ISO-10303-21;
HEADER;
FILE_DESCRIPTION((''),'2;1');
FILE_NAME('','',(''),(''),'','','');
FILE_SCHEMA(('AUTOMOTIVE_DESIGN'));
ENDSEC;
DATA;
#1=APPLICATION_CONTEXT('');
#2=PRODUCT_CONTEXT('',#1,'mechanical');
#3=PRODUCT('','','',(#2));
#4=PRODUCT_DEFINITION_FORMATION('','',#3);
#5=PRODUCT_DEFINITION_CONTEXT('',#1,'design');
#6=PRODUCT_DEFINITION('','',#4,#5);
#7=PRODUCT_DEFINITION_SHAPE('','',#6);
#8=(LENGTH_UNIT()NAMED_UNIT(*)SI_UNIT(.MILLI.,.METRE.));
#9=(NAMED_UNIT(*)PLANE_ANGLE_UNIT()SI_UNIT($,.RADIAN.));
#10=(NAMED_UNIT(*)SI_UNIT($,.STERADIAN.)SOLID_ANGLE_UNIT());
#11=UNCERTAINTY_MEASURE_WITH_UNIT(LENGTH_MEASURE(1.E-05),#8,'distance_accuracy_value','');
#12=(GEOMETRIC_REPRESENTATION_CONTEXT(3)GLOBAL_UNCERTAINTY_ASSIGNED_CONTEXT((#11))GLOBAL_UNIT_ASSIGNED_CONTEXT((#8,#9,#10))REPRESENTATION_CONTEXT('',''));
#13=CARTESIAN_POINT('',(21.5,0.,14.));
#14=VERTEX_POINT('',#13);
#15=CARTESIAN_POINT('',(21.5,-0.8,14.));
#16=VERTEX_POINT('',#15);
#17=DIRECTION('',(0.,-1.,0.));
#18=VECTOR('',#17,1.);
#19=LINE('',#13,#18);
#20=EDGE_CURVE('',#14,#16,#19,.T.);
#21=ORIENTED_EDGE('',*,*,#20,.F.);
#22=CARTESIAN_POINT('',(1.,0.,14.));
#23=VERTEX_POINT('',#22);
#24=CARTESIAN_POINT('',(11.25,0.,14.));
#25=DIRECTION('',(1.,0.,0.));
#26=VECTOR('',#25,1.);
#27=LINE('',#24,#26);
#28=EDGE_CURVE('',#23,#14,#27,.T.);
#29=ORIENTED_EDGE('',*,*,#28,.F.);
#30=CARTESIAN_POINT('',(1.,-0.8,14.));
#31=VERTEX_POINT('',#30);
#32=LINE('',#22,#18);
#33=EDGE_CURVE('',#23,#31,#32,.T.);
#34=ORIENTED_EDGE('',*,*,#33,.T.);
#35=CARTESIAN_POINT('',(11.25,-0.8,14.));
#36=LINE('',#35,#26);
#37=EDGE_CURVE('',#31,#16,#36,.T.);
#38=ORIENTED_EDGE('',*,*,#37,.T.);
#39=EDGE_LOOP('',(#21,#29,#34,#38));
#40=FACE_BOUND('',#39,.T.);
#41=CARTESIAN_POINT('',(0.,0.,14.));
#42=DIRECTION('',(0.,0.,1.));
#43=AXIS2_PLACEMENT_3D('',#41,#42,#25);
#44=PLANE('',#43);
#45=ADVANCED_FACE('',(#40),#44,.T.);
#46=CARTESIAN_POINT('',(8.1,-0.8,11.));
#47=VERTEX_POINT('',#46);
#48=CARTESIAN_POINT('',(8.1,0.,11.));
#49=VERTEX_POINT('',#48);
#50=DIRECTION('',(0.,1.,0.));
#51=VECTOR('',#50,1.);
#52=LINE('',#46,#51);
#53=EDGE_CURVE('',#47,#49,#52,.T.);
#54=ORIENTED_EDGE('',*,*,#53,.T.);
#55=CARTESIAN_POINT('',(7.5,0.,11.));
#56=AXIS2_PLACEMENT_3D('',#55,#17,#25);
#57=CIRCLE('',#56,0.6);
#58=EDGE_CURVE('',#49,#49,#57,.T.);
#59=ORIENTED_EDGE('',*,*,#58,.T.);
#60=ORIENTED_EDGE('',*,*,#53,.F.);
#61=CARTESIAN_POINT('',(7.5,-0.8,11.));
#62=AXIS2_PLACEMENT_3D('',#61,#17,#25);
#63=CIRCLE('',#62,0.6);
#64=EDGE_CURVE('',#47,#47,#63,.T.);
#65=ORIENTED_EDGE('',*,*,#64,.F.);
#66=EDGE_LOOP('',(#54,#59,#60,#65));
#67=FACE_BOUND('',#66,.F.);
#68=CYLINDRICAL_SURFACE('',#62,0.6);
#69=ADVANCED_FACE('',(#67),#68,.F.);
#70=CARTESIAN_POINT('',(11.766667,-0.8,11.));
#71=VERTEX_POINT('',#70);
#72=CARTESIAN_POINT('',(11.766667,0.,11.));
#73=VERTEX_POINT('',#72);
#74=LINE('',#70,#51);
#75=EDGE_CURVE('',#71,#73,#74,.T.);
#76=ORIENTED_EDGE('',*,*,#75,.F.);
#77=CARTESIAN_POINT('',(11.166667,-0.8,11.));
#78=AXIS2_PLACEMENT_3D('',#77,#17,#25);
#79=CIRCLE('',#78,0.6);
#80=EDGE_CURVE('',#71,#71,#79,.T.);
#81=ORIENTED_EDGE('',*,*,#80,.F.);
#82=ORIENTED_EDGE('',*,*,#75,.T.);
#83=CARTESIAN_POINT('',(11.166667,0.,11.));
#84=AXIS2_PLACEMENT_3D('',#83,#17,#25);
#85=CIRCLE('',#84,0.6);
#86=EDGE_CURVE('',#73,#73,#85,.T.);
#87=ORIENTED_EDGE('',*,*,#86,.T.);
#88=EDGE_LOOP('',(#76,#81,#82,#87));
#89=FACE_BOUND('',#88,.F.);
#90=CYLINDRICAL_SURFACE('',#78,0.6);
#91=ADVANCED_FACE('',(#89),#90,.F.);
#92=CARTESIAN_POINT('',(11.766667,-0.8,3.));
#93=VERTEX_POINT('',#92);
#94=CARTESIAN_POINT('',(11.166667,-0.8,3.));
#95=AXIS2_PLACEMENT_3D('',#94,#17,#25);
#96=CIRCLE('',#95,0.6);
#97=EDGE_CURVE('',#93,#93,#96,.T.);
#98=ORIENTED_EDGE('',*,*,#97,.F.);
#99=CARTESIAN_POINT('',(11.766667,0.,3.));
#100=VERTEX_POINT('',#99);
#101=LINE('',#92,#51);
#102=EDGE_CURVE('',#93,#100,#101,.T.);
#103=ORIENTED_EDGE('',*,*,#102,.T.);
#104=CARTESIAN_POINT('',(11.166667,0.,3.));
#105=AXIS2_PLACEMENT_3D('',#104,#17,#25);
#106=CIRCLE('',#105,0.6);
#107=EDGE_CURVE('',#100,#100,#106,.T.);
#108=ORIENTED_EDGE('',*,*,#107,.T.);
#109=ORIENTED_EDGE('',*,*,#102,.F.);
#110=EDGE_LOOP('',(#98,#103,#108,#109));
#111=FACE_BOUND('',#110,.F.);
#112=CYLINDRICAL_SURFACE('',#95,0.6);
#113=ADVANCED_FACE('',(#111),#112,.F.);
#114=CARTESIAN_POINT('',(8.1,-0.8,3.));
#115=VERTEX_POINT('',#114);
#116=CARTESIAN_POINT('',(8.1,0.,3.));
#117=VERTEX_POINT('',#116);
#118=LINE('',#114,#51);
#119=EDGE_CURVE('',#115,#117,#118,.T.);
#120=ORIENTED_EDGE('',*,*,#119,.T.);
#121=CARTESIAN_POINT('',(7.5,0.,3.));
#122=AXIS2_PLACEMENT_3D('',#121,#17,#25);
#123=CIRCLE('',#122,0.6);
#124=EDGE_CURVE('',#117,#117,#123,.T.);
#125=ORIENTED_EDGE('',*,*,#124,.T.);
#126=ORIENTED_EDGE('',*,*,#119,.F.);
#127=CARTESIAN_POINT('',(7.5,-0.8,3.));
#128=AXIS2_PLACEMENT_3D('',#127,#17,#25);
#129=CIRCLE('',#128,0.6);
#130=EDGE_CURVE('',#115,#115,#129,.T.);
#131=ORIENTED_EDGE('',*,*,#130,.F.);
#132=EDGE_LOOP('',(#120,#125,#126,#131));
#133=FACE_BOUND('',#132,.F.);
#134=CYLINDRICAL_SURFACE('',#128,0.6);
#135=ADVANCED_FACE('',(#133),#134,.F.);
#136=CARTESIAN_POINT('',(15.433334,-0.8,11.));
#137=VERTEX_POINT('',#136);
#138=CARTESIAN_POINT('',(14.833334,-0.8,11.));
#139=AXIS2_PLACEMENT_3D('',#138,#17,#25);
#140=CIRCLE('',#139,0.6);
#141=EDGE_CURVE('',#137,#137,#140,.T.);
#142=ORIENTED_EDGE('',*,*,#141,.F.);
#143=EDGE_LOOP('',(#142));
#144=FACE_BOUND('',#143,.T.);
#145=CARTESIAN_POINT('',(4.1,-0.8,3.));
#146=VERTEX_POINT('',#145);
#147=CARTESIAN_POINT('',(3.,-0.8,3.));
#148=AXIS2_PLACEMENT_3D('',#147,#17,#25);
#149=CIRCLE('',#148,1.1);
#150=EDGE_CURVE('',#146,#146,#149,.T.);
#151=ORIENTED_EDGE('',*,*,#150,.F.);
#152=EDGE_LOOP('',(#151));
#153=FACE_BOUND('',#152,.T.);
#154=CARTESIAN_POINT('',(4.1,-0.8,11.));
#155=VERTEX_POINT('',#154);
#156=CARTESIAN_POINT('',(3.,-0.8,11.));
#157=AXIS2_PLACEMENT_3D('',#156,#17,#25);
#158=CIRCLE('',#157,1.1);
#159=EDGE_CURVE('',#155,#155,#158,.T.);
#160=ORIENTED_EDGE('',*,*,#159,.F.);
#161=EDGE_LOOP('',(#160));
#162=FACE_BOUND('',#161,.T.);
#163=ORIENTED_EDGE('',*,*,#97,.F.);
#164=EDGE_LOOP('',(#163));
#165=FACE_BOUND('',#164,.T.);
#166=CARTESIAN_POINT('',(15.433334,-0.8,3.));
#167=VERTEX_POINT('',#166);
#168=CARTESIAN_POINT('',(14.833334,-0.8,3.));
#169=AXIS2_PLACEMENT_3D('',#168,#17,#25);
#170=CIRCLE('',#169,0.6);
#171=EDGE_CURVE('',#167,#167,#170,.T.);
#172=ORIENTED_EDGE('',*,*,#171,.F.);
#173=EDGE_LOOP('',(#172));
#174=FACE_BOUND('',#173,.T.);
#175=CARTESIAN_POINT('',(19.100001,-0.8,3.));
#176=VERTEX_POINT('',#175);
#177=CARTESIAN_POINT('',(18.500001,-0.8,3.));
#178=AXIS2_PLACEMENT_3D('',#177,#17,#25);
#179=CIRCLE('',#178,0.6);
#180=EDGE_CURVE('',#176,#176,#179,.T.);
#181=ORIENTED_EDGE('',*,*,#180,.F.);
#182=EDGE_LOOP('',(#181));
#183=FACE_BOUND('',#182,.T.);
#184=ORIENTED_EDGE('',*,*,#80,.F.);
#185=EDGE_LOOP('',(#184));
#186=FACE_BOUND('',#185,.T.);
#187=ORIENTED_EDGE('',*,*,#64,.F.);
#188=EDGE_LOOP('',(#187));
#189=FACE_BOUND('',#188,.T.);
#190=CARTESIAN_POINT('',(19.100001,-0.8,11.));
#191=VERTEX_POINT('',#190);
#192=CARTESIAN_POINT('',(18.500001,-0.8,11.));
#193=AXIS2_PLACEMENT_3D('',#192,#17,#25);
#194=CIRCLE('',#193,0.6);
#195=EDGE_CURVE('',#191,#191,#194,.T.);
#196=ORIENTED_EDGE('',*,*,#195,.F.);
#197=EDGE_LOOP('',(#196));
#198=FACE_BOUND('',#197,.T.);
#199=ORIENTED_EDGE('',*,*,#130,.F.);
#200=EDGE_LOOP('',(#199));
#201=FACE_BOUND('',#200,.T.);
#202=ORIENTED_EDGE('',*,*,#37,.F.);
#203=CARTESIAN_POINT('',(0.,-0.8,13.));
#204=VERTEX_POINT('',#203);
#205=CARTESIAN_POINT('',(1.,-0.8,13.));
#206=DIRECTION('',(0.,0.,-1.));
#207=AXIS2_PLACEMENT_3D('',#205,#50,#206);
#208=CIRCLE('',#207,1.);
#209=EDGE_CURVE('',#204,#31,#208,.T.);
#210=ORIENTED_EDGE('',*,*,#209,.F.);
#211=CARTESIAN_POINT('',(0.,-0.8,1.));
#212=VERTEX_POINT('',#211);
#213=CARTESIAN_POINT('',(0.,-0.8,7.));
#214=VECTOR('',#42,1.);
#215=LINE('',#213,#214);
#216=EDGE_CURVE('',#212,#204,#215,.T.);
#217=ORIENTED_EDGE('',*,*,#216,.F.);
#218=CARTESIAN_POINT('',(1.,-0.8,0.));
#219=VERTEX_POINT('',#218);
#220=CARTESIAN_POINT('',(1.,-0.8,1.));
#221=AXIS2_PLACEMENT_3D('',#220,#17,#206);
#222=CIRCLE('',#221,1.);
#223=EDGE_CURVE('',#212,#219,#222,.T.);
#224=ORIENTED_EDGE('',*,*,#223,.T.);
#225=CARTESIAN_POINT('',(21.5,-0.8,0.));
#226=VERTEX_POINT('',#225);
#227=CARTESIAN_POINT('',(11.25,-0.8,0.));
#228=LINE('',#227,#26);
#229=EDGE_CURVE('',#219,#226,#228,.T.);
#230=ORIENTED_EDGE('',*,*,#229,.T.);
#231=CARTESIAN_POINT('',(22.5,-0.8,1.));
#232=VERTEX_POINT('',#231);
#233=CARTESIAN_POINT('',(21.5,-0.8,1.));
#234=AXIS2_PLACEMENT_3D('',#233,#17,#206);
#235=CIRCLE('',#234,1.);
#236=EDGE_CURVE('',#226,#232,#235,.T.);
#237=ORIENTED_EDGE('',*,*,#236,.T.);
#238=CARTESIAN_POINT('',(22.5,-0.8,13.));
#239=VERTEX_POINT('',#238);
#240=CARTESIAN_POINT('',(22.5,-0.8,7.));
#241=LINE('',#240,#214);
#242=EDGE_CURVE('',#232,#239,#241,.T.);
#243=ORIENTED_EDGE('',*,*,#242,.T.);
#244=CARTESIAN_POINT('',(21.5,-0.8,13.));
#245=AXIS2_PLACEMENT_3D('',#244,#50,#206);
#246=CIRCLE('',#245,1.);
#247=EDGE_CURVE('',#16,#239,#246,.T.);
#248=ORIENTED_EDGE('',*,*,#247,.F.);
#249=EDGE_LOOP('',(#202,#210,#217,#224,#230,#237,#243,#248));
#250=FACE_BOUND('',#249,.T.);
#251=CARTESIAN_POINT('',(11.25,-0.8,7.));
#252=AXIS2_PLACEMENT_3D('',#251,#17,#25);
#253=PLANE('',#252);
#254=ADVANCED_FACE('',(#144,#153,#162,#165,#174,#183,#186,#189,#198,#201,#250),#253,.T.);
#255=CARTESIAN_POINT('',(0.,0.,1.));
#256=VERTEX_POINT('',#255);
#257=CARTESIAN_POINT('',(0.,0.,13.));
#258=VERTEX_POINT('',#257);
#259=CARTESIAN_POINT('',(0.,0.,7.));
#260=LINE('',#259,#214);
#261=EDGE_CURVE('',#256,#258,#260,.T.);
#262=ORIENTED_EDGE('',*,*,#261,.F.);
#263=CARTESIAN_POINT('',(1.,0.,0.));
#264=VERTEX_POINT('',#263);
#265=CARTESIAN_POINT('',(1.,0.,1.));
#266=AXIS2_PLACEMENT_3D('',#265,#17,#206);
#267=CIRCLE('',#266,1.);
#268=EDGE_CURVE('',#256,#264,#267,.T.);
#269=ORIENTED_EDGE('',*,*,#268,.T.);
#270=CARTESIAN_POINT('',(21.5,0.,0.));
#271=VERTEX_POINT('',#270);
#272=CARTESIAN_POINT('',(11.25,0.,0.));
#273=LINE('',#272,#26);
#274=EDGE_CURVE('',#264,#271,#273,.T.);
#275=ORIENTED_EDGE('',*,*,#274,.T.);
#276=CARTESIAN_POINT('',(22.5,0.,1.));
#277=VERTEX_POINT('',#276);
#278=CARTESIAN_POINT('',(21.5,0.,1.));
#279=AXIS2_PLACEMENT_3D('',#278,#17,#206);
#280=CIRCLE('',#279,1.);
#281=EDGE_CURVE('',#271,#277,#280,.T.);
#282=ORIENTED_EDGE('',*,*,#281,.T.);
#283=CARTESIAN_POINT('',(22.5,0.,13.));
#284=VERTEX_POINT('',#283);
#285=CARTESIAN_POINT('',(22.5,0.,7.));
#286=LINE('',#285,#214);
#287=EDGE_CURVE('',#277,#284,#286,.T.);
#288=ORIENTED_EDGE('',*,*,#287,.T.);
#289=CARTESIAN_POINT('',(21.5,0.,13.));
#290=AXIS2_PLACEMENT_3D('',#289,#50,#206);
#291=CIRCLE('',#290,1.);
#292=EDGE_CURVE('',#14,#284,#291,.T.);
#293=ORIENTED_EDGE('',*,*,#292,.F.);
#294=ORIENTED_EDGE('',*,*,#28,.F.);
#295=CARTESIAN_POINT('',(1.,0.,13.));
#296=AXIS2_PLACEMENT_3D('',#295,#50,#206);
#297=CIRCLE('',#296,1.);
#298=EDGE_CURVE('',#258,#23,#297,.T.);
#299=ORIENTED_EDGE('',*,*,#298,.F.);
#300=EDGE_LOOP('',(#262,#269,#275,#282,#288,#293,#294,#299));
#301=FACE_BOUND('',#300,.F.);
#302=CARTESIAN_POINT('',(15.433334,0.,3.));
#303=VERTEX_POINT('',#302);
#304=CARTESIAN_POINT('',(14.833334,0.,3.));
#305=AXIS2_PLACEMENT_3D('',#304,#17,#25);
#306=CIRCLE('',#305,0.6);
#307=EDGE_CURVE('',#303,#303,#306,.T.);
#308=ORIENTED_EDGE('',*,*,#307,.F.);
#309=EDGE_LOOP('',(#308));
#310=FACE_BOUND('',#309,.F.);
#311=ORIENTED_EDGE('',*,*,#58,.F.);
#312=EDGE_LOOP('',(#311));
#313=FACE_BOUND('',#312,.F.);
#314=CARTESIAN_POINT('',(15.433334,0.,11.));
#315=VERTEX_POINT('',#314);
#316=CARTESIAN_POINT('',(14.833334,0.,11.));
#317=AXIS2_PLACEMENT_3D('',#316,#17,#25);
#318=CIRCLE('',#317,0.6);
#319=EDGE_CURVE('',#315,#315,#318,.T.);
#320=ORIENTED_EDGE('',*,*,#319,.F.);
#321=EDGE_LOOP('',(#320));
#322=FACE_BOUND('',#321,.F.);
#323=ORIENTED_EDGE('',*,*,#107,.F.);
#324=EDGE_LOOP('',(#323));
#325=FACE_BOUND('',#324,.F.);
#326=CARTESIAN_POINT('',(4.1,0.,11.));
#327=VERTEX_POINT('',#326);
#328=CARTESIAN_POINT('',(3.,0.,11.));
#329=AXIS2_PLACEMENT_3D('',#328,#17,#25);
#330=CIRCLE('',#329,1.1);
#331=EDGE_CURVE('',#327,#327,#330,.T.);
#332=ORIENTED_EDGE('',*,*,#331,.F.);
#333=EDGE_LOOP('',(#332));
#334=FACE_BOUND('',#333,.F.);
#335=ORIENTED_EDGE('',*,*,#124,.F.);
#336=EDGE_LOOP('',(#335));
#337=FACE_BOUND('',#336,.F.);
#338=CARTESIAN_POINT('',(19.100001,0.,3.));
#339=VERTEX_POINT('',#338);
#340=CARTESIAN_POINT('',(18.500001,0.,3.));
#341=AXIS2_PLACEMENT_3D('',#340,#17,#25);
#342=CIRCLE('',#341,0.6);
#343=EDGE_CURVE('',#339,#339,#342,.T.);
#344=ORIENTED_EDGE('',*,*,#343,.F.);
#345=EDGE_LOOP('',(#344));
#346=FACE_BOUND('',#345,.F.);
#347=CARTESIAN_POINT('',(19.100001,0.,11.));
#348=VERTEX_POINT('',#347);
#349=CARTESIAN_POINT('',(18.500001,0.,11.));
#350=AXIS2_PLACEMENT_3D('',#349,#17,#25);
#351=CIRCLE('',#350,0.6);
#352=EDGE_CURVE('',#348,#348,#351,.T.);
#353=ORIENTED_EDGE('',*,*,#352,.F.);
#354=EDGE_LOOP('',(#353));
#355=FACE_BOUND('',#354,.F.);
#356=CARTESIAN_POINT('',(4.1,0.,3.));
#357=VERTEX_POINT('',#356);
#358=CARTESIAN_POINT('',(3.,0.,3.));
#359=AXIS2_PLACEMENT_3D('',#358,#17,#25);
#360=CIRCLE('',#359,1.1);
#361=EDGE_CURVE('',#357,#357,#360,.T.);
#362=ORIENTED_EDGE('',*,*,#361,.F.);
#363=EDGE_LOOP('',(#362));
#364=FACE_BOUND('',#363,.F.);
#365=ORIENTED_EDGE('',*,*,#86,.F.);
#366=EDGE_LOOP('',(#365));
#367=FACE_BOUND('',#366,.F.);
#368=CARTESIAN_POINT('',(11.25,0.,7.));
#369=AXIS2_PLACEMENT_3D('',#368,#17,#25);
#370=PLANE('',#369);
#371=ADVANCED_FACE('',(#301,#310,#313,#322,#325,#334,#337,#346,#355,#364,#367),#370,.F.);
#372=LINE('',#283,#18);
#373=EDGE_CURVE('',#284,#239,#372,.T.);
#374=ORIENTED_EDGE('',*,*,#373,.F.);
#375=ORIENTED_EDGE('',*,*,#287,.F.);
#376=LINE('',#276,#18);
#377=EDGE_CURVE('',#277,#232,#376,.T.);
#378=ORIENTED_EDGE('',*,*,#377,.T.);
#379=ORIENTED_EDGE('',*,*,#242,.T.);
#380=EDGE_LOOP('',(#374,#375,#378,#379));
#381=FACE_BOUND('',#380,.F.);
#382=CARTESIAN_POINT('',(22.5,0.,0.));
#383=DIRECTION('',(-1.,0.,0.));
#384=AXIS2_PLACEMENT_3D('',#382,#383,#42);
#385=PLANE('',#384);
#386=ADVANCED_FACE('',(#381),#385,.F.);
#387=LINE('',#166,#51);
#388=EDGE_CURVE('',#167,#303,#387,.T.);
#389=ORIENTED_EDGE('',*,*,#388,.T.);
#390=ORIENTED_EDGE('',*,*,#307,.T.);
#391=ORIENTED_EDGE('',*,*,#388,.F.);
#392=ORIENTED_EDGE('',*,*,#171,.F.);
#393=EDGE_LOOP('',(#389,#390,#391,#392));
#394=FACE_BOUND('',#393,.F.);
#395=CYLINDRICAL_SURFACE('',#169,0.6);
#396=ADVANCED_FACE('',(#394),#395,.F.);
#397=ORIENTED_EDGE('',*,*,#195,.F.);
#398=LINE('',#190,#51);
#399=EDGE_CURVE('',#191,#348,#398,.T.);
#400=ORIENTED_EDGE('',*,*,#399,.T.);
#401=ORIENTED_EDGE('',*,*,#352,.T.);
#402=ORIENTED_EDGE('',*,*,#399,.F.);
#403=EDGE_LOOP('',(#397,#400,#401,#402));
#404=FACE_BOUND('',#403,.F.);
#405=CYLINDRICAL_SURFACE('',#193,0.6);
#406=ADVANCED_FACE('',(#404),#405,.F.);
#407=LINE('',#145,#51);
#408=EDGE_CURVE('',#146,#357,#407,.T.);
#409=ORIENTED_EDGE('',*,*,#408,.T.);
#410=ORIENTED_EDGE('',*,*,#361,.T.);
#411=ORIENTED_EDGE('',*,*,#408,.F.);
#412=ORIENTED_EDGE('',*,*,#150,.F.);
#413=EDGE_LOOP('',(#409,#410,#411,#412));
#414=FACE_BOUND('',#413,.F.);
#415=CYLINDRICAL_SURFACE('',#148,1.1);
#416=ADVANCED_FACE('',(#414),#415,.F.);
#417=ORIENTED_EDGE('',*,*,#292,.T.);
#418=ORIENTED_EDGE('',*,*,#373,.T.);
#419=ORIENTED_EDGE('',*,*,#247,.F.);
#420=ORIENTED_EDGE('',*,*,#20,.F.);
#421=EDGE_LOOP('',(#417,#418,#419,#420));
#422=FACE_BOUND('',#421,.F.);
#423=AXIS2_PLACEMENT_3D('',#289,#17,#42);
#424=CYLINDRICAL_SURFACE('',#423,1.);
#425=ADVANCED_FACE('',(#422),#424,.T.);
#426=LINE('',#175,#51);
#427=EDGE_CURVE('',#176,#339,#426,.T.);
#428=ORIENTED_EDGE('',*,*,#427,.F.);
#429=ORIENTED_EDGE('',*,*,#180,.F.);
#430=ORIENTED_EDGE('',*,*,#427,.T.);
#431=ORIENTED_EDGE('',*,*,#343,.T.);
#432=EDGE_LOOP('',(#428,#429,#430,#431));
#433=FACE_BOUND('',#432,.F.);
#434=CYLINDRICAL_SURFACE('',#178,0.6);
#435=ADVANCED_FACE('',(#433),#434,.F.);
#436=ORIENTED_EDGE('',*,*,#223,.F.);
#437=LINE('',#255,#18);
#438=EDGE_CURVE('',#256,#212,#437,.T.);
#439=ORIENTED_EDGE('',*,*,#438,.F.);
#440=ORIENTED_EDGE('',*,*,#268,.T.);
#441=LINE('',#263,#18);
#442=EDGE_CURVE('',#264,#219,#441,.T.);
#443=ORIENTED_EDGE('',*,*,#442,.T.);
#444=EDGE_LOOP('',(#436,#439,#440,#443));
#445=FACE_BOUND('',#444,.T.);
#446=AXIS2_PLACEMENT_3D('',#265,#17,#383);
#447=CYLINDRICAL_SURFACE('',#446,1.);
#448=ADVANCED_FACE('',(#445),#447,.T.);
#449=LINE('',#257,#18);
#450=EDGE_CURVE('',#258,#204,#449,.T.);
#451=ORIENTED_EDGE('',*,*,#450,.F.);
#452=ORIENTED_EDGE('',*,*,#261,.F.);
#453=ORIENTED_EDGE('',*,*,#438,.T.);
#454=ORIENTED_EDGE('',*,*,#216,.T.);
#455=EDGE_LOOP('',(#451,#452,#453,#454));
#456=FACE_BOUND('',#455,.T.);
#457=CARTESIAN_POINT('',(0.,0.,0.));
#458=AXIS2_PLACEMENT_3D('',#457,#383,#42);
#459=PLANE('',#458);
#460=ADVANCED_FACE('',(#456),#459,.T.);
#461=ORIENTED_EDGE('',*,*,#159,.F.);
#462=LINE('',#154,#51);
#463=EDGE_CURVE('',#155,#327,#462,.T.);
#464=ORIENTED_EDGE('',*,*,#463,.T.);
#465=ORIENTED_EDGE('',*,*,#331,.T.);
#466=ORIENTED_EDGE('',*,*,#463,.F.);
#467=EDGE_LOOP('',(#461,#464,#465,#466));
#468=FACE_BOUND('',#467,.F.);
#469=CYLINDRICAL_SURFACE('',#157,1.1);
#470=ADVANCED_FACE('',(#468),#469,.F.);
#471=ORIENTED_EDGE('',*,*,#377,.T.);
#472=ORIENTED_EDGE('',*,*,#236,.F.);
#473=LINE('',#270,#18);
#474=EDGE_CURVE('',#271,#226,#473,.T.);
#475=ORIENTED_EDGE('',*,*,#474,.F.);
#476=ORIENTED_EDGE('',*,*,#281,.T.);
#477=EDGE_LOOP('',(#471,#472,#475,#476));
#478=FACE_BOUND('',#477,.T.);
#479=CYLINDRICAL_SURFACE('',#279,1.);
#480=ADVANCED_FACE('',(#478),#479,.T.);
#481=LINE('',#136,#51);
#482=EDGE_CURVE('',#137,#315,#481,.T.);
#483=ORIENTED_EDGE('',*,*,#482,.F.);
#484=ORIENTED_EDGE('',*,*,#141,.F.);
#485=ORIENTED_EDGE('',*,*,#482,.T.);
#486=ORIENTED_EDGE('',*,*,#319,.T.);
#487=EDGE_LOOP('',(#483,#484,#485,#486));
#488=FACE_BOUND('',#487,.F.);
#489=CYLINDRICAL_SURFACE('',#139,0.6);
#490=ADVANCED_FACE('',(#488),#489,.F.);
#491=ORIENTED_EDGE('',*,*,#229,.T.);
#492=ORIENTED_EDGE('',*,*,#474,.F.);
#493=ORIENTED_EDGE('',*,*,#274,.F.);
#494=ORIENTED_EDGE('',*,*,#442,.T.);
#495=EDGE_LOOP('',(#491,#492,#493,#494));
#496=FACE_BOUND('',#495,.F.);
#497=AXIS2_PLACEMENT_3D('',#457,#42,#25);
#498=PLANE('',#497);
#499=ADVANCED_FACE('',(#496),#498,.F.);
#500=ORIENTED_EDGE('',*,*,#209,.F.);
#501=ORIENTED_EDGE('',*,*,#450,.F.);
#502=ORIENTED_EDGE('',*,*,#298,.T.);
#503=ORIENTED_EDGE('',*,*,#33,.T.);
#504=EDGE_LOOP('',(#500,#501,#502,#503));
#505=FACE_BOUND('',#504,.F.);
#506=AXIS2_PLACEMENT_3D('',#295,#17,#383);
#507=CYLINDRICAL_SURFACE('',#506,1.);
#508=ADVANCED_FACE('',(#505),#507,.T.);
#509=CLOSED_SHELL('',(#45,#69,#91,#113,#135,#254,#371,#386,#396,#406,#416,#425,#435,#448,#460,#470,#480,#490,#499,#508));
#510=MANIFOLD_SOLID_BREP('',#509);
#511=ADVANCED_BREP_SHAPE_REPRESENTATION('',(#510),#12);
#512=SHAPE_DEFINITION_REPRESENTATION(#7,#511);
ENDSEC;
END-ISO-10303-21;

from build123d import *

# Parameters (mm, degrees)
SKETCH_W            = 22.5
SKETCH_H            = 14
PAD_DEPTH           = 0.8
SKETCH001_R         = 1.1
POCKET_DEPTH        = 5
FILLET_R            = 1
SKETCH002_R         = 0.6
POCKET001_DEPTH     = 5
LINEARPATTERN_COUNT = 4
LINEARPATTERN_PITCH = 3.666667


with BuildPart() as part:
    # Sketch → Pad (new body)
    with BuildSketch(Plane.XZ):
        with Locations((11.25, 7)):
            Rectangle(SKETCH_W, SKETCH_H)
    extrude(amount=PAD_DEPTH)

    # Sketch001 (on Face6 of Pad) → Pocket (cut)
    with BuildSketch(Plane.XZ.offset(0.8)):
        with Locations((3, 11)):
            Circle(SKETCH001_R)
        with Locations((3, 3)):
            Circle(SKETCH001_R)
    extrude(amount=-POCKET_DEPTH, mode=Mode.SUBTRACT)

    # Fillet
    fillet_edges = [part.edges().sort_by_distance(p)[0] for p in [
        (0, -0.4, 14),
        (22.5, -0.4, 14),
        (22.5, -0.4, 0),
        (0, -0.4, 0),
    ]]
    fillet(fillet_edges, radius=FILLET_R)

    # Sketch002 (on Face5 of Fillet) → Pocket001 (cut)
    with BuildSketch(Plane.XZ.offset(0.8)):
        with Locations((7.5, 11)):
            Circle(SKETCH002_R)
        with Locations((7.5, 3)):
            Circle(SKETCH002_R)
    pocket001 = extrude(amount=-POCKET001_DEPTH, mode=Mode.SUBTRACT)

    # LinearPattern: Pocket001 ×4
    with Locations(*[(i * LINEARPATTERN_PITCH, 0, 0) for i in range(1, LINEARPATTERN_COUNT)]):
        add(pocket001, mode=Mode.SUBTRACT)


solid = part.part
